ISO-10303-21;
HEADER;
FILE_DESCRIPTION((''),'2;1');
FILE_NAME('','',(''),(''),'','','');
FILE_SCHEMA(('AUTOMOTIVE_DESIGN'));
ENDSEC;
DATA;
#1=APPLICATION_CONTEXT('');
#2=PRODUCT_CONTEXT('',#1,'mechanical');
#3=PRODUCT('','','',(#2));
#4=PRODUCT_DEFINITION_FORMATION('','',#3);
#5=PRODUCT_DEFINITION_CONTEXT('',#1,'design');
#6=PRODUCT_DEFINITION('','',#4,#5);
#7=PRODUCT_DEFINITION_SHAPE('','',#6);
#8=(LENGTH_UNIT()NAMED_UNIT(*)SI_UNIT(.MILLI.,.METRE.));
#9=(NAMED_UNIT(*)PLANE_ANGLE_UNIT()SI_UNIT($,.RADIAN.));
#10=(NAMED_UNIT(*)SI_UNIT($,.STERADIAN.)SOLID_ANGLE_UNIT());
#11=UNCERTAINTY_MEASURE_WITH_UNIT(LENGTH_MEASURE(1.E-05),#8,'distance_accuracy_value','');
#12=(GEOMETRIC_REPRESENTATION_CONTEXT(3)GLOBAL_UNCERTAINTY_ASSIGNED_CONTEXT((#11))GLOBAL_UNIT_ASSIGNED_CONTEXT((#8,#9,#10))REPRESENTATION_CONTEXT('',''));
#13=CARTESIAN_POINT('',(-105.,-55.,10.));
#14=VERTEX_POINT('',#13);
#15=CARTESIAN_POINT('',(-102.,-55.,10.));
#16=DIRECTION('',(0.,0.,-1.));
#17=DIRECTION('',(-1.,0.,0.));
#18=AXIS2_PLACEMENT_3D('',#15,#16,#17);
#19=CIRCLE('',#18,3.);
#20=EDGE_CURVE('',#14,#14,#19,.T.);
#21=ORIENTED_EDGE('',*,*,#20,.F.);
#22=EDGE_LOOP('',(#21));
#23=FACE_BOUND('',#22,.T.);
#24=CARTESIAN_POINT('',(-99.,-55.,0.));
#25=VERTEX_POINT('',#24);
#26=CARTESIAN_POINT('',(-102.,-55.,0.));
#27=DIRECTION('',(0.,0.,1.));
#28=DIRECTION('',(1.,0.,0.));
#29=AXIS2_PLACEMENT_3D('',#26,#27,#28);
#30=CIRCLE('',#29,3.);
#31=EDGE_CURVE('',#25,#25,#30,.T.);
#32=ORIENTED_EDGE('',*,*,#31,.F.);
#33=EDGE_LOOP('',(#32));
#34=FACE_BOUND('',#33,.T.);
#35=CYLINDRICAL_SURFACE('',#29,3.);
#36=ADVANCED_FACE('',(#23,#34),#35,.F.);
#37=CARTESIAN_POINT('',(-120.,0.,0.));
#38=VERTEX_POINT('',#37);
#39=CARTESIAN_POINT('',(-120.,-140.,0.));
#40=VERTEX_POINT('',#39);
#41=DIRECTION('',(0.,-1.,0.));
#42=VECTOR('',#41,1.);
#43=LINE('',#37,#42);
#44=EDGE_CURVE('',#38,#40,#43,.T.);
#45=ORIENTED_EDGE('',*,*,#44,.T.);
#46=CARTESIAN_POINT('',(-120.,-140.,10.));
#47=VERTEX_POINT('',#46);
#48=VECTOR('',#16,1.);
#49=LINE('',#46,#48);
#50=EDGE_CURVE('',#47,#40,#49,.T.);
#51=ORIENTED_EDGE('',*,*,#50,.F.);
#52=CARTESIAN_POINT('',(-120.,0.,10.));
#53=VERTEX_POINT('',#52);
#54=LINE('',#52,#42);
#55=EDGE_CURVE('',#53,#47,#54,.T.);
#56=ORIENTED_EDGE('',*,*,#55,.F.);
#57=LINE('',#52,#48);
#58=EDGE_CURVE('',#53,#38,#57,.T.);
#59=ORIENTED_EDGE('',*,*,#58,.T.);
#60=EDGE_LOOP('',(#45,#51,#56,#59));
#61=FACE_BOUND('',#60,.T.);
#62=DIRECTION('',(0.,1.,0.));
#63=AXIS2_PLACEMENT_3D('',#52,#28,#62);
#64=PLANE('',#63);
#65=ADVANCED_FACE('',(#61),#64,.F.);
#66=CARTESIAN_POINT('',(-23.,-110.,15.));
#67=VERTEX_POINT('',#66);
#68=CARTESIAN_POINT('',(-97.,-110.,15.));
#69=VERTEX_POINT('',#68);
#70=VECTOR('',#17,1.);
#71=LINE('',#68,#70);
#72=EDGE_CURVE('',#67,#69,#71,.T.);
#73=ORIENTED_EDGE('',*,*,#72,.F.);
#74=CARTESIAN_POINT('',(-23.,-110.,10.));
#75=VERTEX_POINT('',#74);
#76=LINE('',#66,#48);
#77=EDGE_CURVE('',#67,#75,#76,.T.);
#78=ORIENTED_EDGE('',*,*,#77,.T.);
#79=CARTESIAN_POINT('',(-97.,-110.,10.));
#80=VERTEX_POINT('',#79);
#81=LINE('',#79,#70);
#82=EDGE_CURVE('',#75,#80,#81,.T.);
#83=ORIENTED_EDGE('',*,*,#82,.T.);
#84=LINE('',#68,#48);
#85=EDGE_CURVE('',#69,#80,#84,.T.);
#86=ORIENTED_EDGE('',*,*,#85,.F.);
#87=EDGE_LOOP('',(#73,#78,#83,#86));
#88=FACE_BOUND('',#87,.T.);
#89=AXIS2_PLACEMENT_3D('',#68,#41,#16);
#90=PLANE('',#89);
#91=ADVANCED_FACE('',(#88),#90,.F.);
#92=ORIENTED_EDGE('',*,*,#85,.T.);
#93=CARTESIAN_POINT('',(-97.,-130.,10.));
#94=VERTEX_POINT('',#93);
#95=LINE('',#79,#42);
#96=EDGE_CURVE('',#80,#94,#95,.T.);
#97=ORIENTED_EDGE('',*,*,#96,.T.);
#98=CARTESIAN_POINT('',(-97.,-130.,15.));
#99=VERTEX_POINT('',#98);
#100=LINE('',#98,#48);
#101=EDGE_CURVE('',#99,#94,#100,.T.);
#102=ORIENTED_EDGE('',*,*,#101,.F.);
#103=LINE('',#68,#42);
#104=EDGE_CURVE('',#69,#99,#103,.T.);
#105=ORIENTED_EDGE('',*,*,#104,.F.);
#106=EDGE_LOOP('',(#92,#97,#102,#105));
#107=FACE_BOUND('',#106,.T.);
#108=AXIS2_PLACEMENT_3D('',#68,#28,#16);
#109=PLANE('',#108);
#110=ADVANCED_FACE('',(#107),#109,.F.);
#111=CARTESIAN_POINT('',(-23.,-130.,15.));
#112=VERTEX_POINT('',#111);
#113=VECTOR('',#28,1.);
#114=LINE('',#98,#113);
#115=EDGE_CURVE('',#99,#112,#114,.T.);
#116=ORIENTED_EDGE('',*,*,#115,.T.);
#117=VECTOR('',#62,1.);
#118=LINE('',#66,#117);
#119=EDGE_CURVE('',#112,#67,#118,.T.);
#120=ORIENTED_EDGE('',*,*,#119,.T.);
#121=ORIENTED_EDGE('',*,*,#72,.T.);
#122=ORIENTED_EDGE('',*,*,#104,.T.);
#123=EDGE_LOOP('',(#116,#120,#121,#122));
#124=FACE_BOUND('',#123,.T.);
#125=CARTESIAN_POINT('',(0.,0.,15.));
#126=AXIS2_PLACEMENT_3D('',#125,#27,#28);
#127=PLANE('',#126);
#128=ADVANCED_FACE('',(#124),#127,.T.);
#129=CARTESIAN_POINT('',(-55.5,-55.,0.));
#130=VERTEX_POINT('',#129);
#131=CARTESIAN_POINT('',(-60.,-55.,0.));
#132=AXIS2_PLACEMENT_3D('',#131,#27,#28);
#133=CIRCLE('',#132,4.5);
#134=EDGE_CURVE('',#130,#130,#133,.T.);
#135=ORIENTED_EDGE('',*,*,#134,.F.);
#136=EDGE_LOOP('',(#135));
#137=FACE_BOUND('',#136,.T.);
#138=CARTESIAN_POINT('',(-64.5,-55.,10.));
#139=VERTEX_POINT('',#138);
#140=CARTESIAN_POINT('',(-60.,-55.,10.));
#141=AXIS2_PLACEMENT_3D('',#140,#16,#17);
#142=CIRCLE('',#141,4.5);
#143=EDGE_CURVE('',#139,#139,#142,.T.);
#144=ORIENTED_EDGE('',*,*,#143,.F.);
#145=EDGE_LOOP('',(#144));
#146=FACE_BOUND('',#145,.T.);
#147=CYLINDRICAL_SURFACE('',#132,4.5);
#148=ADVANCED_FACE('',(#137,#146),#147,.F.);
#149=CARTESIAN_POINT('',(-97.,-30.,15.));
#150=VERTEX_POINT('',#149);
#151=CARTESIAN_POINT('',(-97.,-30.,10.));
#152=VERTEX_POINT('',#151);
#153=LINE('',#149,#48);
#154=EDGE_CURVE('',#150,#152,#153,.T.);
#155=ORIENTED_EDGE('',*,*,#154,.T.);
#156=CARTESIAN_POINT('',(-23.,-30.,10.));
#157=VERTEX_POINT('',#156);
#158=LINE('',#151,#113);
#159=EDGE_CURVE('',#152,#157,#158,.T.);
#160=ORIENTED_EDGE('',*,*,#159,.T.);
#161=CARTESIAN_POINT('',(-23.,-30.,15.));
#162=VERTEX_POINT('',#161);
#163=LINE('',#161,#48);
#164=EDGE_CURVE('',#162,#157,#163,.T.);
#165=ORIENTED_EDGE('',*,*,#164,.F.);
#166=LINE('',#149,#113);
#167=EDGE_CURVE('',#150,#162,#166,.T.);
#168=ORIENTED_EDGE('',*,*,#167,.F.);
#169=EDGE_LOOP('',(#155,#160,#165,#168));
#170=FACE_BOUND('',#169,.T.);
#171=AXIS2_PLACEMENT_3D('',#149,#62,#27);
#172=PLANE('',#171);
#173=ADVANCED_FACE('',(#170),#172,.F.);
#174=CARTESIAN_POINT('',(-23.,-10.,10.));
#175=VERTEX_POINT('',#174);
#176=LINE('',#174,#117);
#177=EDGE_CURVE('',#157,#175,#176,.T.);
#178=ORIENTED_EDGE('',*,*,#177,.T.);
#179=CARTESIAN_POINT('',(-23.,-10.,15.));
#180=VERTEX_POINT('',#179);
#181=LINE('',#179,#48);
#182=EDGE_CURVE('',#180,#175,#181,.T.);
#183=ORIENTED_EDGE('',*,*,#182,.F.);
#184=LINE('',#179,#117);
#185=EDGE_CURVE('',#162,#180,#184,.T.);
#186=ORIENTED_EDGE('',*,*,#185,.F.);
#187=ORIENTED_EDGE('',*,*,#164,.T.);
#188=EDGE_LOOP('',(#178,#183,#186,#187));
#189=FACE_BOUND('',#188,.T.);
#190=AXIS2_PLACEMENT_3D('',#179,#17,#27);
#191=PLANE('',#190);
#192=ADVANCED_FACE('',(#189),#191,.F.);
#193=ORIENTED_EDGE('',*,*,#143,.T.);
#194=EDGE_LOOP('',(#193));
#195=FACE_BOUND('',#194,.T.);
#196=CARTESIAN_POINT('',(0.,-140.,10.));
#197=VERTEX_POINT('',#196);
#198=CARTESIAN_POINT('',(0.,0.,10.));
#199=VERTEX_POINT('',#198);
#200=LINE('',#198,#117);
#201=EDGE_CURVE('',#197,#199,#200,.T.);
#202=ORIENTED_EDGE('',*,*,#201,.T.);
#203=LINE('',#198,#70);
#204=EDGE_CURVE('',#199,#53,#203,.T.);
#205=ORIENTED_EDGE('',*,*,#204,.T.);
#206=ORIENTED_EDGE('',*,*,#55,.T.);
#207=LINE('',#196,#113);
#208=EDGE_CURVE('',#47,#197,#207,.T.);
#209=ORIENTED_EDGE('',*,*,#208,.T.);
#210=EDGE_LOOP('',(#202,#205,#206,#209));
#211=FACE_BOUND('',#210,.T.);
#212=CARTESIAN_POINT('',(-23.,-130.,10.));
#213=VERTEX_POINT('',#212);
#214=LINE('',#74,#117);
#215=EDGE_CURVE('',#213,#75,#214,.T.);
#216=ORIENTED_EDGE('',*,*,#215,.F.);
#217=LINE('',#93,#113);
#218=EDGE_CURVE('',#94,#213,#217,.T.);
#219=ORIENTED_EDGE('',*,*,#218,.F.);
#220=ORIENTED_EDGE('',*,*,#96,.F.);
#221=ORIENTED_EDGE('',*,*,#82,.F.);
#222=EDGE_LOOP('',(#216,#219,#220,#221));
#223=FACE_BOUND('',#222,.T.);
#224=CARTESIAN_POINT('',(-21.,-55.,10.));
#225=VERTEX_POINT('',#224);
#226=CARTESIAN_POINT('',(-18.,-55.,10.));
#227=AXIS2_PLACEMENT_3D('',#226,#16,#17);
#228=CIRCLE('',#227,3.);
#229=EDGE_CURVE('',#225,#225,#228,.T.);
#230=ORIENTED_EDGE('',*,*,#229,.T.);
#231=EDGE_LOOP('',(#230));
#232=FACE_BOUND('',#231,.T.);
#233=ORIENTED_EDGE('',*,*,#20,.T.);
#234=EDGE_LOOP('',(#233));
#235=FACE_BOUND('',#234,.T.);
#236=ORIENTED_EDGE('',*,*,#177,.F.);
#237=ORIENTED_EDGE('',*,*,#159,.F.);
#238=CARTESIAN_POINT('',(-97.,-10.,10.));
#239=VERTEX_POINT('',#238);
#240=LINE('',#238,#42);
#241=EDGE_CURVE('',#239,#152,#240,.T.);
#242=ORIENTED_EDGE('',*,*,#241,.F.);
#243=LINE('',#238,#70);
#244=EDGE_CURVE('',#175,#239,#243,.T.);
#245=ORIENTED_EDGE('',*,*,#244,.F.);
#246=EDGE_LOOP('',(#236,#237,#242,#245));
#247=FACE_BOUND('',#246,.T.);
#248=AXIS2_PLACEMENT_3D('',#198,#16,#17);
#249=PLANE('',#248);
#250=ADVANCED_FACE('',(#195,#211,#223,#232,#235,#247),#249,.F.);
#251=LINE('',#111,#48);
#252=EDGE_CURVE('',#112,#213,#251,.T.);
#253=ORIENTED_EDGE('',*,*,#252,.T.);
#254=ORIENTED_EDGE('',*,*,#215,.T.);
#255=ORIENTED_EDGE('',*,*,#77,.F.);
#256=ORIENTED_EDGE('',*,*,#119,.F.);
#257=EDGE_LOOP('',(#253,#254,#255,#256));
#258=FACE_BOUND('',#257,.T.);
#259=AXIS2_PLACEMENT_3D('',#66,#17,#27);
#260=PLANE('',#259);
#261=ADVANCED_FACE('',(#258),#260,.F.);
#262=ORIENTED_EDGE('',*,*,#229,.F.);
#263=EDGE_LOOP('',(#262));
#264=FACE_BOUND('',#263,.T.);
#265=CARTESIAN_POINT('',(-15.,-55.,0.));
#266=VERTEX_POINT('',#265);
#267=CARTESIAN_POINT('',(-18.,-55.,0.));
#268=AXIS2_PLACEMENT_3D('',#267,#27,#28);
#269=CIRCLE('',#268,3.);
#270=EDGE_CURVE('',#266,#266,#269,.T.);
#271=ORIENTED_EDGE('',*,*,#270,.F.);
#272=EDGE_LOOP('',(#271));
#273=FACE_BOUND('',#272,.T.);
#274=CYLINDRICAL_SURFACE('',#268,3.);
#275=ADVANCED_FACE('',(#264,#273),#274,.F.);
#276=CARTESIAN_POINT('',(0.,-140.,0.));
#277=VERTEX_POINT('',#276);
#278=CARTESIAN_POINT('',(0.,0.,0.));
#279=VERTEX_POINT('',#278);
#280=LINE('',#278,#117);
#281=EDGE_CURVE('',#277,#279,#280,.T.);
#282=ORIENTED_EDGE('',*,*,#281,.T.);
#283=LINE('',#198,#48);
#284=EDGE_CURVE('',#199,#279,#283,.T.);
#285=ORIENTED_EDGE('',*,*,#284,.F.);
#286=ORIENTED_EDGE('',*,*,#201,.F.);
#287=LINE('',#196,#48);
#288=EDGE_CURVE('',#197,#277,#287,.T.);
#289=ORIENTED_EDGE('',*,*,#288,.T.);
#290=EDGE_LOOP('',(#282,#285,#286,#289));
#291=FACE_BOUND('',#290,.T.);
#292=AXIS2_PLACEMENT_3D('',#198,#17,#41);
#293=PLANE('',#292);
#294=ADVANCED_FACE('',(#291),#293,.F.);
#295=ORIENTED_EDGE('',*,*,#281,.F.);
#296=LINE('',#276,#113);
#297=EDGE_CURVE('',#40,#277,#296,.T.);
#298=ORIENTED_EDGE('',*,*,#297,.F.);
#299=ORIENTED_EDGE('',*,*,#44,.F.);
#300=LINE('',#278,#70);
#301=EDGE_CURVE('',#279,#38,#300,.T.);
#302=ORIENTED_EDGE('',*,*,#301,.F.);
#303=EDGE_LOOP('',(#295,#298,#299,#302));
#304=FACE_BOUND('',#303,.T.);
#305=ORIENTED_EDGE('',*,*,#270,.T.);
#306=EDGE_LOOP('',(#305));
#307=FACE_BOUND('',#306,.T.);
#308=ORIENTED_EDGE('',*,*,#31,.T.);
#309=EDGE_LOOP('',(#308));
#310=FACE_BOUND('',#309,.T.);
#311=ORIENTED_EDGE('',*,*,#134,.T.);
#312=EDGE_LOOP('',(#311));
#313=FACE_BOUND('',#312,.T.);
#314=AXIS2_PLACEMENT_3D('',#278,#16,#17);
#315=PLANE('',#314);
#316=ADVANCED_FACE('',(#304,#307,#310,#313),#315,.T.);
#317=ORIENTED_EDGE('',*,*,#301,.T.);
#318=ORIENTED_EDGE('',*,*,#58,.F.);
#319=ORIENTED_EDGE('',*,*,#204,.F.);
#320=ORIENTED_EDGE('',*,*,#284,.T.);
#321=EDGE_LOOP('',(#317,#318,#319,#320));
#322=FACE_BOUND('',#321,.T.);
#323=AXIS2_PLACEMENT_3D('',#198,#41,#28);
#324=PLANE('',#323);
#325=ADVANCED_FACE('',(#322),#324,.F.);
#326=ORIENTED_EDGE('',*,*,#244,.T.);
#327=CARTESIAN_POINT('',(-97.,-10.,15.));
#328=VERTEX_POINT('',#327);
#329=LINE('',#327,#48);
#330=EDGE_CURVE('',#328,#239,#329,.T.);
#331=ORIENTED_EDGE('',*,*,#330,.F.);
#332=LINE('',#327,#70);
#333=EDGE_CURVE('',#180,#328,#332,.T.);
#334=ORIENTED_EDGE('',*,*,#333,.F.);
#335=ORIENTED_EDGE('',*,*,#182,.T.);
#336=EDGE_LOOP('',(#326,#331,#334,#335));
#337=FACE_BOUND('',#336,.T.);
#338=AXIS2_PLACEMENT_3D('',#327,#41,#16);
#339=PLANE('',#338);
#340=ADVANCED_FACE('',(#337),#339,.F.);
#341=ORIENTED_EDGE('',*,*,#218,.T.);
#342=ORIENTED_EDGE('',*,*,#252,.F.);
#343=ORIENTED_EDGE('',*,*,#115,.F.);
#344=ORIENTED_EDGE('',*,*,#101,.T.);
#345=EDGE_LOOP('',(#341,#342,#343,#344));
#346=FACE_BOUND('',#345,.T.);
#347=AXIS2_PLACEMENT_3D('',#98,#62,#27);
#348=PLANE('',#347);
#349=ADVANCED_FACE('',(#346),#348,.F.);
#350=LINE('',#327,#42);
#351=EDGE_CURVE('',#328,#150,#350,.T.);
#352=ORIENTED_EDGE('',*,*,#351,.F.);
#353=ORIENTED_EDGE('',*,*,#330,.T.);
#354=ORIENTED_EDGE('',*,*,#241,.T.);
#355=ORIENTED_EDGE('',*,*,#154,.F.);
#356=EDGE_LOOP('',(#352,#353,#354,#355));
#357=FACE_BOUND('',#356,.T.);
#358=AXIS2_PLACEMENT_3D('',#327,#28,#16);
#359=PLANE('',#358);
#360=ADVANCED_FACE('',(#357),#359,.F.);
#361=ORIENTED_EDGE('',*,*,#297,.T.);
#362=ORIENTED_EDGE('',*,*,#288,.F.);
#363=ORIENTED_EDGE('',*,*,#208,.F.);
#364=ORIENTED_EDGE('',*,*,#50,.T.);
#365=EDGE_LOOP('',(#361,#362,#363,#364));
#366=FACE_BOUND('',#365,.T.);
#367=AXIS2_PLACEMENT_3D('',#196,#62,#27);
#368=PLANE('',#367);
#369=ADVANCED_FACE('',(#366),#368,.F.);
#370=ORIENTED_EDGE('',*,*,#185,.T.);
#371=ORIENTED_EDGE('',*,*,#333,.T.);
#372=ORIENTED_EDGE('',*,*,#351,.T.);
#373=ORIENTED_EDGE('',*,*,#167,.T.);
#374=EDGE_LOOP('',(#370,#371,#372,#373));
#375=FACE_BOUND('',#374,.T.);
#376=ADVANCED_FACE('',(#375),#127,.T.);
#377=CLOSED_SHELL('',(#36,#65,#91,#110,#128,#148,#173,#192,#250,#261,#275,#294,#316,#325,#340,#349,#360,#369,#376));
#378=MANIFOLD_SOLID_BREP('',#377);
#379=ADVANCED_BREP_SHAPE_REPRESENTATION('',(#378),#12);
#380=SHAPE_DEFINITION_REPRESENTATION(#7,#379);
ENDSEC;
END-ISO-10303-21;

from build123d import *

# Parameters (mm, degrees)
SKETCH1_W           = 120
SKETCH1_H           = 140
BOSS_EXTRUDE1_DEPTH = 10
SKETCH2_W           = 74
SKETCH2_H           = 20
BOSS_EXTRUDE2_DEPTH = 5
SKETCH4_R           = 3
SKETCH4_R_2         = 4.5
CUT_EXTRUDE1_DEPTH  = 15


with BuildPart() as part:
    # Sketch1 → Boss-Extrude1 (new body)
    with BuildSketch(Plane.XY):
        with Locations((-60, -70)):
            Rectangle(SKETCH1_W, SKETCH1_H)
    extrude(amount=BOSS_EXTRUDE1_DEPTH)

    # Sketch2 → Boss-Extrude2 (add)
    with BuildSketch(Plane.XY.offset(10)):
        with Locations((-60, -20)):
            Rectangle(SKETCH2_W, SKETCH2_H)
        with Locations((-60, -120)):
            Rectangle(SKETCH2_W, SKETCH2_H)
    extrude(amount=BOSS_EXTRUDE2_DEPTH)

    # Sketch4 → Cut-Extrude1 (cut)
    with BuildSketch(Plane.XY.offset(15)):
        with Locations((-102, -55)):
            Circle(SKETCH4_R)
        with Locations((-60, -55)):
            Circle(SKETCH4_R_2)
        with Locations((-18, -55)):
            Circle(SKETCH4_R)
    extrude(amount=-CUT_EXTRUDE1_DEPTH, mode=Mode.SUBTRACT)


solid = part.part
